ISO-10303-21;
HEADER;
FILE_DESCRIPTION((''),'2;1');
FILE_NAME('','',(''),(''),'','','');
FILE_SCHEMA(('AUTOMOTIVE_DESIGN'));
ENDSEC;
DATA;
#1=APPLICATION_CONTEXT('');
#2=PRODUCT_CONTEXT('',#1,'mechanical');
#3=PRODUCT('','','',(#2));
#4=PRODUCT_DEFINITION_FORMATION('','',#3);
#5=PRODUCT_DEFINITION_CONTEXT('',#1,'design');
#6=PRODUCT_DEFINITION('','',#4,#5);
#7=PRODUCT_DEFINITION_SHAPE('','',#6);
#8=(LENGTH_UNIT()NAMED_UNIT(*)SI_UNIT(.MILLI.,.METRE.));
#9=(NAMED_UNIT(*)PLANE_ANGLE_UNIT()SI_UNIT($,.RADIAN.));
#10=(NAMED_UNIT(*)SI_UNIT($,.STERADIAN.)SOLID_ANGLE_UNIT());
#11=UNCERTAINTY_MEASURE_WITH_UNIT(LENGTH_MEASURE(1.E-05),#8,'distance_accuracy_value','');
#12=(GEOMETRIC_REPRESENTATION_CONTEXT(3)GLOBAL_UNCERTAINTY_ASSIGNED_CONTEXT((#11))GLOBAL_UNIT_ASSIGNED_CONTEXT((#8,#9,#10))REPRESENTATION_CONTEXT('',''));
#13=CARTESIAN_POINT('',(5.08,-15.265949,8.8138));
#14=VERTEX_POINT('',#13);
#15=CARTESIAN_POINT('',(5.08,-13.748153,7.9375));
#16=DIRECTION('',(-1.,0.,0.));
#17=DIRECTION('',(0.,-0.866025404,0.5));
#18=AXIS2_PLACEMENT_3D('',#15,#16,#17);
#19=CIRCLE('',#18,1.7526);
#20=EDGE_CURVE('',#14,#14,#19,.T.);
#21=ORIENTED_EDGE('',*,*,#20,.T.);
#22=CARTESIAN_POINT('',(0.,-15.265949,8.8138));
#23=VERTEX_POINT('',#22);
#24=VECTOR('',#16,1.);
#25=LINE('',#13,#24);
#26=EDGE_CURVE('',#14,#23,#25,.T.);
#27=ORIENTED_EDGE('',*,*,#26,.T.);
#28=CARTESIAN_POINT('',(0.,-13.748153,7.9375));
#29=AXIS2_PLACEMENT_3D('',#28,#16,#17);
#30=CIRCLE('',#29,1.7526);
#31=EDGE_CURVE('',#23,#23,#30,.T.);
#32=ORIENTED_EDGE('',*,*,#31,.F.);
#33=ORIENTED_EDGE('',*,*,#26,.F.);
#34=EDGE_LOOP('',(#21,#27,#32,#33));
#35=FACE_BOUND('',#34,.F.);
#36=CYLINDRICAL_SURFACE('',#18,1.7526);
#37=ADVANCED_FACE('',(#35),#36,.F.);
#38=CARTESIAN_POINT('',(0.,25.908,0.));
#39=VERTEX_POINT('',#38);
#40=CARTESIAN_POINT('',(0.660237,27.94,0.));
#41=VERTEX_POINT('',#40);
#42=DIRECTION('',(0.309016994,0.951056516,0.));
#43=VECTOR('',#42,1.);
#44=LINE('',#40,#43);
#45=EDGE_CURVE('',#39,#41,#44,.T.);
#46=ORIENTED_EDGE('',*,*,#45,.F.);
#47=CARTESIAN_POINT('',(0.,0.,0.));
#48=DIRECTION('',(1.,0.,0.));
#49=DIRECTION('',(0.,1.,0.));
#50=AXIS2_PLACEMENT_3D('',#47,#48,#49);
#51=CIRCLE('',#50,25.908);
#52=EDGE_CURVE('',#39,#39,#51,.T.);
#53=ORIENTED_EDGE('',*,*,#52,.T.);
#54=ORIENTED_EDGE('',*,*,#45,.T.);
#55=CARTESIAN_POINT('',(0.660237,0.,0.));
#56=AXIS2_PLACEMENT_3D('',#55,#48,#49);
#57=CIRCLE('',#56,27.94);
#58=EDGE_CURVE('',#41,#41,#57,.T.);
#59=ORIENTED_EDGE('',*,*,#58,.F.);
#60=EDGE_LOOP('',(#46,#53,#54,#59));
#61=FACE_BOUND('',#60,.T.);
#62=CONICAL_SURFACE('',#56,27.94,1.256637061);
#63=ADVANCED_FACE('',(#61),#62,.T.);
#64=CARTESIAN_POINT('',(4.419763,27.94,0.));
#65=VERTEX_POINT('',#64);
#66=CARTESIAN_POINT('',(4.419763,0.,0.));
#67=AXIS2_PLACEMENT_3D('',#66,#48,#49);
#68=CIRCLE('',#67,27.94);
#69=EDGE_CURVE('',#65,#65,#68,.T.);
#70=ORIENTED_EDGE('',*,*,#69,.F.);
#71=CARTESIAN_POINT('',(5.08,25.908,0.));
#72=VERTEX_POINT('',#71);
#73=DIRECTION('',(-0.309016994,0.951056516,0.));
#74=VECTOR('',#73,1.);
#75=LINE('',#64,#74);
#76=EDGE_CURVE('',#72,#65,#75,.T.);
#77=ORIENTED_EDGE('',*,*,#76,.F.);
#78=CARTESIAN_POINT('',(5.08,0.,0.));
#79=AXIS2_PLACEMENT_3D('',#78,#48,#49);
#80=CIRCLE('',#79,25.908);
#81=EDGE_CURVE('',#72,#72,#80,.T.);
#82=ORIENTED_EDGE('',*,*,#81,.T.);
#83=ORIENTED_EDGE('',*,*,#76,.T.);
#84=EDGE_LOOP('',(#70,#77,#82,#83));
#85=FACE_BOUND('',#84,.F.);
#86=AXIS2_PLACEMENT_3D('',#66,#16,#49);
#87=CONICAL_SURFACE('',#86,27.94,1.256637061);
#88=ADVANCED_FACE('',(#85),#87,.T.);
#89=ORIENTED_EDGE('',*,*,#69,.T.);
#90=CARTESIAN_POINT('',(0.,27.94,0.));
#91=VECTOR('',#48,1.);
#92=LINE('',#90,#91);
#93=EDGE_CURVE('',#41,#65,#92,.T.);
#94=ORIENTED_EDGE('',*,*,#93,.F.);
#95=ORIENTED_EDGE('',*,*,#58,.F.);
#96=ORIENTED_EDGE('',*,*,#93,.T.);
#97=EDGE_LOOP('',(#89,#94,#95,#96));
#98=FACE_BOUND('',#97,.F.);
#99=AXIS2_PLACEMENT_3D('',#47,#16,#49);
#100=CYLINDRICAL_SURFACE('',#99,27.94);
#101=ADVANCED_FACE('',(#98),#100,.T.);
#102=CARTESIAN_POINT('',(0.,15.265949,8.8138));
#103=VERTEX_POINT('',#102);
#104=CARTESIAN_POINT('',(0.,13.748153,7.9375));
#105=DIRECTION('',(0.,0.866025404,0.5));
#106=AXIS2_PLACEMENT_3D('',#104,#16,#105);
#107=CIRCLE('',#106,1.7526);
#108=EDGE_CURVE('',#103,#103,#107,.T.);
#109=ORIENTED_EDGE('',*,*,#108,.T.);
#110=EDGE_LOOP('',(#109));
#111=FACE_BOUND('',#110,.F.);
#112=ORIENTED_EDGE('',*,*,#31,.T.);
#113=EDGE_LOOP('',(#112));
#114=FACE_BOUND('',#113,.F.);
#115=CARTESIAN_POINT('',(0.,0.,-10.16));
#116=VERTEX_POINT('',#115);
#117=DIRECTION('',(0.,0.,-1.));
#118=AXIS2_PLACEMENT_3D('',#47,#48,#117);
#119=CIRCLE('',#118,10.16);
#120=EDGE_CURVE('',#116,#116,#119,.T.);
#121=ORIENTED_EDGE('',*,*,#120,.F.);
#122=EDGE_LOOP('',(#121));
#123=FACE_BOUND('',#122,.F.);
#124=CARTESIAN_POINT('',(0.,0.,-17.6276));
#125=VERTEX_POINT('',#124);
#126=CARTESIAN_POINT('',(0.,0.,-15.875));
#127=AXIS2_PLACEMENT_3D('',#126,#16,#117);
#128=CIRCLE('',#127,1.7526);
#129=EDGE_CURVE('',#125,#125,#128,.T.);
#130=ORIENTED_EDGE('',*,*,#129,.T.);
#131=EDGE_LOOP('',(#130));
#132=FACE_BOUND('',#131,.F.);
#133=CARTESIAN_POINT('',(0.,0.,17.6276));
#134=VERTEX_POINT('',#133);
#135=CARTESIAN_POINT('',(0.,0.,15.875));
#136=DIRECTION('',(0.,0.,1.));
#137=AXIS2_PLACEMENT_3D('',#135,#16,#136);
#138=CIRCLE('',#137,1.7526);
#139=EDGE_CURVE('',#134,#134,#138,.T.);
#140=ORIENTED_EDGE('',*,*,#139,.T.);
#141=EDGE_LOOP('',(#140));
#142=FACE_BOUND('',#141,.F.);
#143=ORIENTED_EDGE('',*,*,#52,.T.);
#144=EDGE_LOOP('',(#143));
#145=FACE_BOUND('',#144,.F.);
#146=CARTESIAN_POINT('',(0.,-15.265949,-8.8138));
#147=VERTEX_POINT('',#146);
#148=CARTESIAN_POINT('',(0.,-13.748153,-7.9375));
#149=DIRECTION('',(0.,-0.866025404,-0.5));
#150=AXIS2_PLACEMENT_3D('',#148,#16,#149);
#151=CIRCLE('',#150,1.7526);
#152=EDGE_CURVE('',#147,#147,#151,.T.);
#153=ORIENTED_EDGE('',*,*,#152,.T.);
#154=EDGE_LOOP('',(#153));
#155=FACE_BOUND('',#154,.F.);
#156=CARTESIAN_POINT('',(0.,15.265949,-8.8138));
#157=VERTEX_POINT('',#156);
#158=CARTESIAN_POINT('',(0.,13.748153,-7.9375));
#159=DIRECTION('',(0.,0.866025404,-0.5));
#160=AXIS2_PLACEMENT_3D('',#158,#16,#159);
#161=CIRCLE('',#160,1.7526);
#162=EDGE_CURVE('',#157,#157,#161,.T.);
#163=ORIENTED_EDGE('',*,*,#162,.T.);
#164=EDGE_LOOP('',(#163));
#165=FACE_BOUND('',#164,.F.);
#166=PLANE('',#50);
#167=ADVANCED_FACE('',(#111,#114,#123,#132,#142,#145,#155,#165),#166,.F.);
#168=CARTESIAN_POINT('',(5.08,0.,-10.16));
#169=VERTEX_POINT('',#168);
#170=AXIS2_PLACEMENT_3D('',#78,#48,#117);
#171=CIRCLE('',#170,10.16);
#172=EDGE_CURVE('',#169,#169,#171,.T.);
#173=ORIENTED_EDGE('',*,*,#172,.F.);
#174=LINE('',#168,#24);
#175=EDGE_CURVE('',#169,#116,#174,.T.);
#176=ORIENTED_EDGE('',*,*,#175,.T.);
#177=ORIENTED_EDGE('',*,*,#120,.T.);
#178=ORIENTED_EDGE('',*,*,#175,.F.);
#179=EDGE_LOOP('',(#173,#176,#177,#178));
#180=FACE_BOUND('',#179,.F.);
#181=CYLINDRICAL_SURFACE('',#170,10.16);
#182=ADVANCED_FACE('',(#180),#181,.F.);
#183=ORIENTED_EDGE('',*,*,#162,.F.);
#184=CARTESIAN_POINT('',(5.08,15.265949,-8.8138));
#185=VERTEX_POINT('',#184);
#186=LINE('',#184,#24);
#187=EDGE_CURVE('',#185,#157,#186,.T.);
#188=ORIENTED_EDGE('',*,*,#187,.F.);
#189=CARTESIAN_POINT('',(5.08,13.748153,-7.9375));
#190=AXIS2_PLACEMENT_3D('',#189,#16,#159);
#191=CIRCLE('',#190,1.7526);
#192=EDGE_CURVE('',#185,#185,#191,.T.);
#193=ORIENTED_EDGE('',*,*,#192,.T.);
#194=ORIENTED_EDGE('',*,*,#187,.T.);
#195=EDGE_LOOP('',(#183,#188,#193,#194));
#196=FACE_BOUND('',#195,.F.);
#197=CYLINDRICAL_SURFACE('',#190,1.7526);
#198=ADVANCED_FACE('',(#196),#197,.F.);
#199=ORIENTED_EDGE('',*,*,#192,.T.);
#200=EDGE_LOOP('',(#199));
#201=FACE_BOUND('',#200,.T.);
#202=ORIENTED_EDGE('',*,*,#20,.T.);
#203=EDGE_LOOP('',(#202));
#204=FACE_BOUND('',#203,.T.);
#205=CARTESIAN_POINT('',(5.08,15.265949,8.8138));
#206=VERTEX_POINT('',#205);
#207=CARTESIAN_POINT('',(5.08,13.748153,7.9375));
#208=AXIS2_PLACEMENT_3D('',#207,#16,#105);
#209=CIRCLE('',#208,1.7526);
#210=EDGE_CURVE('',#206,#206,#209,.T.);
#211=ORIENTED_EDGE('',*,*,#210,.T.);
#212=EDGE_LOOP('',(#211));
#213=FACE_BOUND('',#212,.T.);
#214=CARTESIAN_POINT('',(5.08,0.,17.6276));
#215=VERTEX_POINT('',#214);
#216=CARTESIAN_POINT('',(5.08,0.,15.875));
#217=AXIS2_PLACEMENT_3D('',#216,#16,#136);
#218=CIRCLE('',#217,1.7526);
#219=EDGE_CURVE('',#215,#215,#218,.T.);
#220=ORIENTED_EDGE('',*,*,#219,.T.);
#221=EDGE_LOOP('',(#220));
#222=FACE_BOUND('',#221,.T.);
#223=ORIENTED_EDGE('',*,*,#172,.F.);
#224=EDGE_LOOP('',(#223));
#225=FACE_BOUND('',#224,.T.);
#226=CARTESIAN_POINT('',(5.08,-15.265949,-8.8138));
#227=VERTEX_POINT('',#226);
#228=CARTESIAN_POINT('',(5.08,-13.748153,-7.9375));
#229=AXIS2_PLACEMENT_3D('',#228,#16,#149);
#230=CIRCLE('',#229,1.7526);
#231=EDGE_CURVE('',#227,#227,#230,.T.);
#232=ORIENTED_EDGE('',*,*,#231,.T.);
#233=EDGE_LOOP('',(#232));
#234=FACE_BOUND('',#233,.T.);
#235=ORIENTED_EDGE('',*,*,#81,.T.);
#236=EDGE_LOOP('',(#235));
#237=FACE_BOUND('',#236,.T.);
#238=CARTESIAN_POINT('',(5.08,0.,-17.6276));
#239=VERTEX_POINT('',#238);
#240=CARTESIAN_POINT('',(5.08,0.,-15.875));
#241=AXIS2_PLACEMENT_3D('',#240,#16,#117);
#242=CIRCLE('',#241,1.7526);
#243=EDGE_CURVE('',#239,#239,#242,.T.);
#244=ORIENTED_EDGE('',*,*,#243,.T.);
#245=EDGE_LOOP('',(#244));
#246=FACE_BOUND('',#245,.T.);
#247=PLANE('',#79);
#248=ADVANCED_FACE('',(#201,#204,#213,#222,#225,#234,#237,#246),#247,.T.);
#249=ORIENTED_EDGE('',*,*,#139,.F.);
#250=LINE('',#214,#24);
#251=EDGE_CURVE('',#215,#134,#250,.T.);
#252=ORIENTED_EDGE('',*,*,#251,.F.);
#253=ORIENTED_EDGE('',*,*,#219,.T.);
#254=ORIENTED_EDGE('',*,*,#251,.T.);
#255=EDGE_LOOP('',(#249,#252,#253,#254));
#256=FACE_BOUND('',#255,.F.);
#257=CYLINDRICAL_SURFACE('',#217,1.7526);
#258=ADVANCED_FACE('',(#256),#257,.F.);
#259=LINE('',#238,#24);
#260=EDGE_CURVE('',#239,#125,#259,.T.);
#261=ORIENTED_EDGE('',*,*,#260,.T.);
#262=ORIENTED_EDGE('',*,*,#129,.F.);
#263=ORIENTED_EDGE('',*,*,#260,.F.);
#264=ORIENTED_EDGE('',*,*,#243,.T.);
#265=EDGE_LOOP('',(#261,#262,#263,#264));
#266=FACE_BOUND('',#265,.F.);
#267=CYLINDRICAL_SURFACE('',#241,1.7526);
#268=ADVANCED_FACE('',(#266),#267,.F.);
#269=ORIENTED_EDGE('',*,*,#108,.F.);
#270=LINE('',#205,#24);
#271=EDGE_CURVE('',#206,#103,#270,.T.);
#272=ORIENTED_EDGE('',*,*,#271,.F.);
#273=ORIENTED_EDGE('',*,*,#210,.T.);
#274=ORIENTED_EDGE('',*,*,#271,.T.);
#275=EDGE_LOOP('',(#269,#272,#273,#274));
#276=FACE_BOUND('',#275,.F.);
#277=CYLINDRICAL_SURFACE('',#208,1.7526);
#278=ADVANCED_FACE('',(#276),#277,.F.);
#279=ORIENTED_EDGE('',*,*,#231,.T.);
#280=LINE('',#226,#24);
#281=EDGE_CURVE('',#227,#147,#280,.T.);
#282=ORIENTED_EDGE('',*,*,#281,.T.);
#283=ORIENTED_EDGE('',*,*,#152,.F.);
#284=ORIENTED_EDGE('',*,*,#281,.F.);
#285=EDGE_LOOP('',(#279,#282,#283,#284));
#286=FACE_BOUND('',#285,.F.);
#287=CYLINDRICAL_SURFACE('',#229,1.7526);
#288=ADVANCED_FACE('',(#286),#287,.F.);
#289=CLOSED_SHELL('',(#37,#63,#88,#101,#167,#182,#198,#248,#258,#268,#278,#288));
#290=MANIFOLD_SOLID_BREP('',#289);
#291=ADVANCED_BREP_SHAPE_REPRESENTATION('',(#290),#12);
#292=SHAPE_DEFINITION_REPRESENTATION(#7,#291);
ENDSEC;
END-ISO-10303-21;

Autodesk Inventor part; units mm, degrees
ref_plane "YZ Plane" through (0, 0, 0) normal (1, 0, 0) x (0, 1, 0)
ref_plane "XZ Plane" through (0, 0, 0) normal (0, 1, 0) x (-1, 0, 0)
ref_plane "XY Plane" through (0, 0, 0) normal (0, 0, 1) x (1, 0, 0)
sketch "Sketch1" plane through (0, 0, 0) normal (1, 0, 0) x (0, 1, 0)
  circle A0 centre (0, 0) radius 27.94
  dimension "d0" = 55.88
extrude "Extrusion1" add sketch "Sketch1" along normal blind 5.08
sketch "Sketch3" plane through (5.08, 0, 0) normal (1, 0, 0) x (0, 0, -1)
  point P0 (0, 0)
  point P1 (15.875, 0)
  dimension "d6" = 15.875
hole "Hole1" at (5.08, 0, -15.875) direction (-1, 0, 0) diameter 3.5052 end through all
pattern_circular "Circular Pattern1" count 6 over 360 about axis through (-10, 0, 0) along (1, 0, 0) of "Hole1"
chamfer "Chamfer1" distance 2.032 angle 18 1 edges at (0, -27.94, 0) measured on face at (0, 4.0768, 2.3537)
sketch "Sketch4" plane through (5.08, 0, 0) normal (1, 0, 0) x (0, 0, -1)
  circle A0 centre (0, 0) radius 10.16
  dimension "d20" = 20.32
extrude "Extrusion3" cut sketch "Sketch4" against normal through all
chamfer "Chamfer2" distance 2.032 angle 18 1 edges at (5.08, -27.94, 0) measured on face at (5.08, -19.1807, 0)
properties part number "CHA_005_DrivePulleyCenterFlange" material "ABS Plastic"
